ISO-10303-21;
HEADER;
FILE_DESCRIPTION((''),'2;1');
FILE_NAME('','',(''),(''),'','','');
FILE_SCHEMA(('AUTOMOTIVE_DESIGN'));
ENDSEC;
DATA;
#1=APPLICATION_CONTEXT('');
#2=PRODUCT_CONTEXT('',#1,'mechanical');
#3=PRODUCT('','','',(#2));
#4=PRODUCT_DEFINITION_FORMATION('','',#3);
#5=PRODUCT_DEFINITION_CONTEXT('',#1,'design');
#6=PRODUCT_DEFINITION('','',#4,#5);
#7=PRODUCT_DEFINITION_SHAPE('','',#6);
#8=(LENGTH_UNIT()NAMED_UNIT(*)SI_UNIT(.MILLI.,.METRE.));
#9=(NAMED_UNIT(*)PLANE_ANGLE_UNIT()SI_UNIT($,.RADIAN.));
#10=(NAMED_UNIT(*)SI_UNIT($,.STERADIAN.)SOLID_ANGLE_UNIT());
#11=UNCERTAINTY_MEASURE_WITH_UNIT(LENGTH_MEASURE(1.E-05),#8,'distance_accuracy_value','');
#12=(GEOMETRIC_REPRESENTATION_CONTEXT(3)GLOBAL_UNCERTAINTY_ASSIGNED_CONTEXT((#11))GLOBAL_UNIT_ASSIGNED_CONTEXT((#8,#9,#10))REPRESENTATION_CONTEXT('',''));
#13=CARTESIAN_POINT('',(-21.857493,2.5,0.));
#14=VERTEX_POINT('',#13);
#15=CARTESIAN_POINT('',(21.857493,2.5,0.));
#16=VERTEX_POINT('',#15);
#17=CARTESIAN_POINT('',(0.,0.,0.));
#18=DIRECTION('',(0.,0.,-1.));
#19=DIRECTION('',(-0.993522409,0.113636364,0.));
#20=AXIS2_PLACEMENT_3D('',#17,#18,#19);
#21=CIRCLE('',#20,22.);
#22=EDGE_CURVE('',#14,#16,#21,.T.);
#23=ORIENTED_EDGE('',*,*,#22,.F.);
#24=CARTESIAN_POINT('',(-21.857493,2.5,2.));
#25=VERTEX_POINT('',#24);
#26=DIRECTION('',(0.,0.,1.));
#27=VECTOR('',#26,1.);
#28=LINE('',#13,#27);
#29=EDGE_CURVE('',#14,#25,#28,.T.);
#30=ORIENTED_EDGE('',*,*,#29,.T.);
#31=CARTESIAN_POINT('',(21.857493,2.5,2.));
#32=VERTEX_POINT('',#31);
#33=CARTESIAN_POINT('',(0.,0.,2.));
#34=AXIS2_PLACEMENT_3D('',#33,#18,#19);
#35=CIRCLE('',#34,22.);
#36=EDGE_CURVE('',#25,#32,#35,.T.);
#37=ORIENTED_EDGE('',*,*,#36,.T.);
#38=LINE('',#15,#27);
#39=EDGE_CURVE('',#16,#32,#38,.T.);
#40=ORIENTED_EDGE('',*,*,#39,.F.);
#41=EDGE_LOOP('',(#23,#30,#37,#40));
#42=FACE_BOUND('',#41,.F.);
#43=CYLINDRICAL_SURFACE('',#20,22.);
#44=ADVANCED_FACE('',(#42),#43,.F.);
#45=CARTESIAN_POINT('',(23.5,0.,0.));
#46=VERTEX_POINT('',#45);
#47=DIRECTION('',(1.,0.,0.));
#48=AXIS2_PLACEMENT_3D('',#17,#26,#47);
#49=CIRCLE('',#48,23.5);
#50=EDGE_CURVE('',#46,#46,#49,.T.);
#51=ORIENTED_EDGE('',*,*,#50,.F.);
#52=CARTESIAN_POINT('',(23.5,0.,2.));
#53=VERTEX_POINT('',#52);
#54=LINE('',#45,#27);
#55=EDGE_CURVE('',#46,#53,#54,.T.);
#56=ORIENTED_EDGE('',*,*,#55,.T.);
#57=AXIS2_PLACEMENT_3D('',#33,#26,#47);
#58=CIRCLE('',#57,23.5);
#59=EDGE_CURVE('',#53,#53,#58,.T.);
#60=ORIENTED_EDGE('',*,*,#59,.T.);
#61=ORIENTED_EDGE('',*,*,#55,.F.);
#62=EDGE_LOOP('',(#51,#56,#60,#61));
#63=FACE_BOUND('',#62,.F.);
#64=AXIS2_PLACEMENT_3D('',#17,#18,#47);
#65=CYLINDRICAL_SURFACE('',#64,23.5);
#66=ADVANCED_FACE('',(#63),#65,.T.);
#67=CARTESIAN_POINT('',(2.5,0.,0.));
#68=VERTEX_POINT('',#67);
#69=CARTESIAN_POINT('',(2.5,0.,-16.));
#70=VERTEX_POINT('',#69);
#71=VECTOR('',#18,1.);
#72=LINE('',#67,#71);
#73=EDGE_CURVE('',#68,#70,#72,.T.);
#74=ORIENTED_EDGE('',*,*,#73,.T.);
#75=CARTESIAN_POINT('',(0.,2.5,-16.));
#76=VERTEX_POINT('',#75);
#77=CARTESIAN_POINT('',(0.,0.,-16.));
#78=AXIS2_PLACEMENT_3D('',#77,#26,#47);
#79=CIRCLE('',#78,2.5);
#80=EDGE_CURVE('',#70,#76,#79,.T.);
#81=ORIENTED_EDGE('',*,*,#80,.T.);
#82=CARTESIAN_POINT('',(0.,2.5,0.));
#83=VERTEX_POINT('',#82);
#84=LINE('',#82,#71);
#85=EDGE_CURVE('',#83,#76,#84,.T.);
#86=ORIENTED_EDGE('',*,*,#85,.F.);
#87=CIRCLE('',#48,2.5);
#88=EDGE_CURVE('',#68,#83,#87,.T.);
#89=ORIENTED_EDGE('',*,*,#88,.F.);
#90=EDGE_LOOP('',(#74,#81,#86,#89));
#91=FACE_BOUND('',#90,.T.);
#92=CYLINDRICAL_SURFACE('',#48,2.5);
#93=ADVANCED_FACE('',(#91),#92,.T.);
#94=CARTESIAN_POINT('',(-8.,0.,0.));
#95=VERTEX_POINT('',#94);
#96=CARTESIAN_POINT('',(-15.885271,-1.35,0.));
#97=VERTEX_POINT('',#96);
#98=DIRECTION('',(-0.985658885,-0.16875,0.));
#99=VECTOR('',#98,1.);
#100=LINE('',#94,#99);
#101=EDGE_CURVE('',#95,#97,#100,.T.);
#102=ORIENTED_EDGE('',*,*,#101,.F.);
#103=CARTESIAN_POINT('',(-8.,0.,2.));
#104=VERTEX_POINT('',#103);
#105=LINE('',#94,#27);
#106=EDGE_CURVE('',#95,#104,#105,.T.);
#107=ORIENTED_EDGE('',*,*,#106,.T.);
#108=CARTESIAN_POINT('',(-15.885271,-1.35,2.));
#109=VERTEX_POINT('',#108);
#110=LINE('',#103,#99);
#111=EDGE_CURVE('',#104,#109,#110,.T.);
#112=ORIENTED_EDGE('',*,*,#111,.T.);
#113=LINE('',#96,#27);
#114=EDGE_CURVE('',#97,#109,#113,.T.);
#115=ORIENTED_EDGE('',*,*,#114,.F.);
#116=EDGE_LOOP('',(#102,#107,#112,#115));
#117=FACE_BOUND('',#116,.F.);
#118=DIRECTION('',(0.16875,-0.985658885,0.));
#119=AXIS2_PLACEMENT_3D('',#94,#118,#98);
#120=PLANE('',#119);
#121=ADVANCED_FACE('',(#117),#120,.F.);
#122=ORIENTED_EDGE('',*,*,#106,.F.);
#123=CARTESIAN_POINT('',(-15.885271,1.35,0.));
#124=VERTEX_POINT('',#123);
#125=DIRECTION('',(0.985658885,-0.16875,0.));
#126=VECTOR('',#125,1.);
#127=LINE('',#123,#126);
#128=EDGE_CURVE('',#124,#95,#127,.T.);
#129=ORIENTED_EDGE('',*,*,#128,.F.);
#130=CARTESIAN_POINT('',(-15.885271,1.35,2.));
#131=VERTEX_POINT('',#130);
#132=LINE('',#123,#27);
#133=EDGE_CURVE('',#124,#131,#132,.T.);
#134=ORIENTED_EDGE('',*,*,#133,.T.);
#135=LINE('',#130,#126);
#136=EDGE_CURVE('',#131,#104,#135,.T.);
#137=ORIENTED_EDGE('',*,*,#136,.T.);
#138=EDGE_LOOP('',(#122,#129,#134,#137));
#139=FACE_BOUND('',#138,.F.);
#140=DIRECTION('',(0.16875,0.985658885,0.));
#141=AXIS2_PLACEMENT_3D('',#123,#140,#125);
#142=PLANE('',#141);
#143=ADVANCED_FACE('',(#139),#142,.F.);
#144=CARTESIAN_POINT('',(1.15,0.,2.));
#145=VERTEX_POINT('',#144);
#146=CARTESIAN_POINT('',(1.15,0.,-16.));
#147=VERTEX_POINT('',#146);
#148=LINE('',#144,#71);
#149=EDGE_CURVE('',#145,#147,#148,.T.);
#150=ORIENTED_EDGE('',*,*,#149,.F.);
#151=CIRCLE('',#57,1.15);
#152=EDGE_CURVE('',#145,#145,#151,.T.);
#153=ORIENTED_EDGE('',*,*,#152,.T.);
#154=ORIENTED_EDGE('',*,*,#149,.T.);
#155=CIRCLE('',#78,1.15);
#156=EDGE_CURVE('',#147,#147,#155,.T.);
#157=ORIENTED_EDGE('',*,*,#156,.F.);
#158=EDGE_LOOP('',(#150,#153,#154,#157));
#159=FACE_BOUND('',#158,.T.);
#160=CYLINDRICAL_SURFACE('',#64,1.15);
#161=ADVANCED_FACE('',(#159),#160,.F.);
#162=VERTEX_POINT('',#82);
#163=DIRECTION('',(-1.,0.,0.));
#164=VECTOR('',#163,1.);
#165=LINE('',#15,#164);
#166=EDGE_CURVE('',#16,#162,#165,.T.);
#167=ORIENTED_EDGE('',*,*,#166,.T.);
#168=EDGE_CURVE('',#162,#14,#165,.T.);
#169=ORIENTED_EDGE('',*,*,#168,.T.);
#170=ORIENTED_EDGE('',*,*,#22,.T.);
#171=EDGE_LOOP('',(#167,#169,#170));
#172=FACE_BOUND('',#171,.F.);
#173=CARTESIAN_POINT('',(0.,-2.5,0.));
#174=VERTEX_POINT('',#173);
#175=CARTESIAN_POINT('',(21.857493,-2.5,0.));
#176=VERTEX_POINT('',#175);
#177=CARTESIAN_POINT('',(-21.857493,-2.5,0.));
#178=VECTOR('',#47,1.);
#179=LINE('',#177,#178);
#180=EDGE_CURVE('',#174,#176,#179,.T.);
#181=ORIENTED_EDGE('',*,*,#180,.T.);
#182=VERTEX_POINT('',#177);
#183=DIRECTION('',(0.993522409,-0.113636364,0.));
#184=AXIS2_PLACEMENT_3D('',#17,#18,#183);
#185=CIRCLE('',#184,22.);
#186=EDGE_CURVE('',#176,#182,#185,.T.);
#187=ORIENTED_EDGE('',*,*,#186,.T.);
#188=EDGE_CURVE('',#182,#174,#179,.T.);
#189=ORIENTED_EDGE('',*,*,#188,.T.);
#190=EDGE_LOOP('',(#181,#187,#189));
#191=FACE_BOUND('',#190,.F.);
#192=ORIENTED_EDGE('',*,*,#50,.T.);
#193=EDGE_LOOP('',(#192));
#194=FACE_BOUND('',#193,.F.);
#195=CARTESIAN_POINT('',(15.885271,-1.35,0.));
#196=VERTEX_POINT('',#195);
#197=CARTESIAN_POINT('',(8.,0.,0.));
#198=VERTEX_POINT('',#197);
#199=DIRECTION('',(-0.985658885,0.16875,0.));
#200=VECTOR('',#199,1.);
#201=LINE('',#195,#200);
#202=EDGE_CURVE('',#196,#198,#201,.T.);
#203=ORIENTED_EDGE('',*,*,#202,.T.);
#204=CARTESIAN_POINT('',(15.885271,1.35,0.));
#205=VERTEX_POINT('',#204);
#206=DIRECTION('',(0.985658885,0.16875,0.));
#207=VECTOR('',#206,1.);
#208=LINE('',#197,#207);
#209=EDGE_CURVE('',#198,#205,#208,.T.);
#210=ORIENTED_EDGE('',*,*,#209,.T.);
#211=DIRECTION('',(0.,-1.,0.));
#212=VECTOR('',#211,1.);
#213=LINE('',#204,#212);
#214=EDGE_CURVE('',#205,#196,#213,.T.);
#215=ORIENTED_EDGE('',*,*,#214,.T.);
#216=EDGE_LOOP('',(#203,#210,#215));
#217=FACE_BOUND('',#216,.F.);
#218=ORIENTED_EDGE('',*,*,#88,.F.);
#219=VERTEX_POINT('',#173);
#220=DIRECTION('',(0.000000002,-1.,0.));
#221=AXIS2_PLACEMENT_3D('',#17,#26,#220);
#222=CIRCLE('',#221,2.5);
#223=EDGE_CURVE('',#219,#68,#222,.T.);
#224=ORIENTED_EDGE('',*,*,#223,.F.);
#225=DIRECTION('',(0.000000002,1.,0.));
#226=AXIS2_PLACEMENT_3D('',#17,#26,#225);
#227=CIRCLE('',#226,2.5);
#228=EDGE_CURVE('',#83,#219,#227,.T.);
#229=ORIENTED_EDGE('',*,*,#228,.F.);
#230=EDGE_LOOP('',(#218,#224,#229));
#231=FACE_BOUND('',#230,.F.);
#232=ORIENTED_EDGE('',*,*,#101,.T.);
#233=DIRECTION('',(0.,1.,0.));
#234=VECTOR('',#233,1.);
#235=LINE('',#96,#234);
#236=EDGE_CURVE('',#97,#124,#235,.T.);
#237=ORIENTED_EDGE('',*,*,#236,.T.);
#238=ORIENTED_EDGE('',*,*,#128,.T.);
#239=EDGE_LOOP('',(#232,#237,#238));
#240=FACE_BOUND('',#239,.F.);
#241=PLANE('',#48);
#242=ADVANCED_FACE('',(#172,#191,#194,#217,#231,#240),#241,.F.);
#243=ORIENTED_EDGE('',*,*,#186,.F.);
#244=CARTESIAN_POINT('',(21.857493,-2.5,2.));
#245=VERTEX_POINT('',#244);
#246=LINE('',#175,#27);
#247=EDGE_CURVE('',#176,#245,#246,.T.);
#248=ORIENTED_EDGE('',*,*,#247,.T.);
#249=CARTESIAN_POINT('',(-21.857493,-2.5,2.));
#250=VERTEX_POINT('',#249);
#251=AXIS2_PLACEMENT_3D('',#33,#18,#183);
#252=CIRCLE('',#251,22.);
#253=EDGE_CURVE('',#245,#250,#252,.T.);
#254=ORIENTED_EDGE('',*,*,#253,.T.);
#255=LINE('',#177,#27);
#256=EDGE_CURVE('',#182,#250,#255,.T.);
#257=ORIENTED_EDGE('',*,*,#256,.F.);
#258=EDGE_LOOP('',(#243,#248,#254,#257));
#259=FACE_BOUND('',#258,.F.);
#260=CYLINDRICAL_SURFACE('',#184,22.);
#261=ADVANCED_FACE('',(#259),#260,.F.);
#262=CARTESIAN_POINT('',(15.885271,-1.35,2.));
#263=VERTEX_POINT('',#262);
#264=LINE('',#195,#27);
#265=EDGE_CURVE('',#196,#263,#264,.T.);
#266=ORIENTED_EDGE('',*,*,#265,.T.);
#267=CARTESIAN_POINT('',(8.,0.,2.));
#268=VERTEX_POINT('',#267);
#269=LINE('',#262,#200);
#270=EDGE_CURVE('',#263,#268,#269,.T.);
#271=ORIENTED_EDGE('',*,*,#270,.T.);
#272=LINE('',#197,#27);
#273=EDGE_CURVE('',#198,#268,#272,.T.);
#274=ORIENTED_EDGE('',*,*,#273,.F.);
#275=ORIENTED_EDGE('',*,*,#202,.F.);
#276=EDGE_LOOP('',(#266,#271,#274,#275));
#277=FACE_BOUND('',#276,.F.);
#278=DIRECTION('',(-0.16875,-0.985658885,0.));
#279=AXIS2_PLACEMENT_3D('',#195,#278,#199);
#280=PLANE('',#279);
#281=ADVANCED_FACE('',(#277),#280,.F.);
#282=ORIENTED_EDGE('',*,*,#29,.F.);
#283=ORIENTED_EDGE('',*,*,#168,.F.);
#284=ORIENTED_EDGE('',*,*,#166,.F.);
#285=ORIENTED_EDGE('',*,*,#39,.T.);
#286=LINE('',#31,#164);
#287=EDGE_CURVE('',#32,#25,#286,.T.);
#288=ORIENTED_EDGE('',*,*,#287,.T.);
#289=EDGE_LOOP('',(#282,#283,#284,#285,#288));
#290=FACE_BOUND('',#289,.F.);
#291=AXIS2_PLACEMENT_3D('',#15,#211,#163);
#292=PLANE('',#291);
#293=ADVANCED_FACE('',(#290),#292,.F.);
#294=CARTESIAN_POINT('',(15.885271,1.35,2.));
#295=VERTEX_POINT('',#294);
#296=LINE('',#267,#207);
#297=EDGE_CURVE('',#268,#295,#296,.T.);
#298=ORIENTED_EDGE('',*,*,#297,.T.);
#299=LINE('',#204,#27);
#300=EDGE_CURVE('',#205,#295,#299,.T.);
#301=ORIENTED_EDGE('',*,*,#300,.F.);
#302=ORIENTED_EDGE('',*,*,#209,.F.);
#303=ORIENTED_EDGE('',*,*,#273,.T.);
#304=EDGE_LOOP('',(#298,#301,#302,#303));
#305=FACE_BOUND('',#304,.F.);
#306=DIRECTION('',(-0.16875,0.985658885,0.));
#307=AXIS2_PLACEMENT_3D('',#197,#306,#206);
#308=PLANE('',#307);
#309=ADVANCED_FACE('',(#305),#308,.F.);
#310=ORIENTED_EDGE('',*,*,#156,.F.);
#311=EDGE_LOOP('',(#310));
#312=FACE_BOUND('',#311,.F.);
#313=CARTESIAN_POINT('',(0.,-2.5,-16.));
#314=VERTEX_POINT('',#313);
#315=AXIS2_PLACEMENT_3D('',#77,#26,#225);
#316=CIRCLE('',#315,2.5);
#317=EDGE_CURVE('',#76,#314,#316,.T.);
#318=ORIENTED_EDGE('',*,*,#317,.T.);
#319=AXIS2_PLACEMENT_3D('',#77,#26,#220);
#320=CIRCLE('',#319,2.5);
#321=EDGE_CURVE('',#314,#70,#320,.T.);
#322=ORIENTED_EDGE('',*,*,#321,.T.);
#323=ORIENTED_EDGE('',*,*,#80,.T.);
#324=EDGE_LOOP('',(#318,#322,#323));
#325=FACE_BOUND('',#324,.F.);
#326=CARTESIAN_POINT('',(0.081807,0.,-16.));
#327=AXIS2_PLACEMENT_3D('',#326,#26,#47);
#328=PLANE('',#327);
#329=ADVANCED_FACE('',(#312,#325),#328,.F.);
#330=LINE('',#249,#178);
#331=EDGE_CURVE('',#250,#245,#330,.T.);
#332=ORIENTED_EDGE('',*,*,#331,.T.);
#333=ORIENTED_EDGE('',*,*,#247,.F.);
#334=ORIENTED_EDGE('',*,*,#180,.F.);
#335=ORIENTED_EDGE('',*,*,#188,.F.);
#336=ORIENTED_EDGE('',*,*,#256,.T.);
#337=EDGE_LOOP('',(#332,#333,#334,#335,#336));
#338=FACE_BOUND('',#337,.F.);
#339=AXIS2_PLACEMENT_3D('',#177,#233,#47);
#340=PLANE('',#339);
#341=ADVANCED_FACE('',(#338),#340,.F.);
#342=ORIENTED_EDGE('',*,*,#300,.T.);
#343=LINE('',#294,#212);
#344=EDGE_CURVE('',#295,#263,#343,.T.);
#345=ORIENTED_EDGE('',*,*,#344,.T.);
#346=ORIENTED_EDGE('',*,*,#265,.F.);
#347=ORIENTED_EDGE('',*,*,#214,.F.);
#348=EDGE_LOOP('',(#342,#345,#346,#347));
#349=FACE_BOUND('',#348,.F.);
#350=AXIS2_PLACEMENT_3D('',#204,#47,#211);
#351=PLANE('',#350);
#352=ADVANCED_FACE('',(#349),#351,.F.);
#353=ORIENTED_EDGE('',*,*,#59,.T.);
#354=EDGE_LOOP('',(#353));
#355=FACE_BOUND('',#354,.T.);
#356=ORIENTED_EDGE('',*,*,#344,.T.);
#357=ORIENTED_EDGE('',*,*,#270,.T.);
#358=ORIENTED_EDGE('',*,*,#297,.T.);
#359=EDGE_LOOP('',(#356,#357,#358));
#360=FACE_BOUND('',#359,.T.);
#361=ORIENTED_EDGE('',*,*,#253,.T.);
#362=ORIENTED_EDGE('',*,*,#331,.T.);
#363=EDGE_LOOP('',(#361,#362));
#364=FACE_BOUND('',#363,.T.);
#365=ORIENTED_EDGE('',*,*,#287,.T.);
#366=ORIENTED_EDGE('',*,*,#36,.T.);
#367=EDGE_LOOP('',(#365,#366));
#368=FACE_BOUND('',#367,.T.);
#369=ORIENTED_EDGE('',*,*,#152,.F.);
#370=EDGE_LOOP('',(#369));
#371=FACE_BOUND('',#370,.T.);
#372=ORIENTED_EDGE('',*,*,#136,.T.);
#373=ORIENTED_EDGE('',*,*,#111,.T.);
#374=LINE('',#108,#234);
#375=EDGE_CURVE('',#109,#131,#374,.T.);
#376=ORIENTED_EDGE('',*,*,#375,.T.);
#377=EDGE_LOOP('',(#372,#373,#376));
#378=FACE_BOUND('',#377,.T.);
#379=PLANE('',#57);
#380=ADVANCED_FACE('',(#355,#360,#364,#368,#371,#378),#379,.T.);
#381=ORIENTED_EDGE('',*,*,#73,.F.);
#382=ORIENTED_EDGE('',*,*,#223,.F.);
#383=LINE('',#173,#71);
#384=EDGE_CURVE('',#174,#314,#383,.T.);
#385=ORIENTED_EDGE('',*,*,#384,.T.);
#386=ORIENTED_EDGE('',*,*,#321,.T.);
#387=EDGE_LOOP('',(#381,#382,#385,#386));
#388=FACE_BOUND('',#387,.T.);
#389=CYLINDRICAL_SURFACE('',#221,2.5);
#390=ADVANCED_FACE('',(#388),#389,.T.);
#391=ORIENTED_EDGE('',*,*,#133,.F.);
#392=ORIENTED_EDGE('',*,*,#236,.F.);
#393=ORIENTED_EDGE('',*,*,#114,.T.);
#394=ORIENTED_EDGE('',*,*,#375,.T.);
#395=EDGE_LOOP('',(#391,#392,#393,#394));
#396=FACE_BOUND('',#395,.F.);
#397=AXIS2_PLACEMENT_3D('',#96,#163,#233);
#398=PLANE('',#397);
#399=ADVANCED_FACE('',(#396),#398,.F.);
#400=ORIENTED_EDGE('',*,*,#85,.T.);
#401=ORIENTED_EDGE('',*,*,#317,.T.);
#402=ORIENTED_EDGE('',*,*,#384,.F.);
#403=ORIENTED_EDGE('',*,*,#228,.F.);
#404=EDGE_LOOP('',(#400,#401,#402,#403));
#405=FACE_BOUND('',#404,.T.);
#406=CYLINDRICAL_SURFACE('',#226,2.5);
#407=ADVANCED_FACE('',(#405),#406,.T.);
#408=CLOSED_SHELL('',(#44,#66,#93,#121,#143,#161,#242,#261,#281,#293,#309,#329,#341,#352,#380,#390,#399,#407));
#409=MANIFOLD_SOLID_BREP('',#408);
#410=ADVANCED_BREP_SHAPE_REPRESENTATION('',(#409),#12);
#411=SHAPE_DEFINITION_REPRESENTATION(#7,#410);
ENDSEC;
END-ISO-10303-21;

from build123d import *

# Parameters (mm, degrees)
F0_R     = 1.15
F1_DEPTH = 16
F0_R_2   = 23.5
F2_DEPTH = 2


with BuildPart() as f1:
    # F0 (on Top) → F1 (new body)
    with BuildSketch(Plane.XY):
        with BuildLine():
            ThreePointArc((2.5, 0), (1.7677669545, 1.7677669515), (4.3e-09, 2.5))
            ThreePointArc((4.3e-09, 2.5), (-2.5, -9e-10), (6.1e-09, -2.5))
            ThreePointArc((6.1e-09, -2.5), (1.7677669551, -1.7677669508), (2.5, 0))
        make_face()
        Circle(F0_R, mode=Mode.SUBTRACT)
    extrude(amount=-F1_DEPTH)

    # F0 (on Top) → F2 (join)
    with BuildSketch(Plane.XY):
        Circle(F0_R_2)
        with BuildLine():
            ThreePointArc((21.8574929944, 2.5), (21.9643443548, 1.2520291776), (22, 0))
            ThreePointArc((22, 0), (21.9643443548, -1.2520291776), (21.8574929944, -2.5))
            ThreePointArc((21.8574929944, -2.5), (0, -22), (-21.8574929944, -2.5))
            ThreePointArc((-21.8574929944, -2.5), (-22, 0), (-21.8574929944, 2.5))
            ThreePointArc((-21.8574929944, 2.5), (0, 22), (21.8574929944, 2.5))
        make_face(mode=Mode.SUBTRACT)
        with BuildLine():
            ThreePointArc((21.8574929944, -2.5), (21.9643443548, -1.2520291776), (22, 0))
            ThreePointArc((22, 0), (21.9643443548, 1.2520291776), (21.8574929944, 2.5))
            Line((21.8574929944, 2.5), (4.3e-09, 2.5))
            ThreePointArc((4.3e-09, 2.5), (1.7677669545, 1.7677669515), (2.5, 0))
            ThreePointArc((2.5, 0), (1.7677669551, -1.7677669508), (6.1e-09, -2.5))
            Line((6.1e-09, -2.5), (21.8574929944, -2.5))
        make_face()
        Polygon((15.8852710797, 1.35), (15.8852710797, -1.35), (8, 0), align=None, mode=Mode.SUBTRACT)
        with BuildLine():
            Line((4.3e-09, 2.5), (-21.8574929944, 2.5))
            ThreePointArc((-21.8574929944, 2.5), (-22, 0), (-21.8574929944, -2.5))
            Line((-21.8574929944, -2.5), (6.1e-09, -2.5))
            ThreePointArc((6.1e-09, -2.5), (-2.5, -9e-10), (4.3e-09, 2.5))
        make_face()
        Polygon((-15.8852710797, -1.35), (-15.8852710797, 1.35), (-8, 0), align=None, mode=Mode.SUBTRACT)
        with BuildLine():
            ThreePointArc((2.5, 0), (1.7677669545, 1.7677669515), (4.3e-09, 2.5))
            ThreePointArc((4.3e-09, 2.5), (-2.5, -9e-10), (6.1e-09, -2.5))
            ThreePointArc((6.1e-09, -2.5), (1.7677669551, -1.7677669508), (2.5, 0))
        make_face()
        Circle(F0_R, mode=Mode.SUBTRACT)
    extrude(amount=F2_DEPTH)


solid = f1.part
